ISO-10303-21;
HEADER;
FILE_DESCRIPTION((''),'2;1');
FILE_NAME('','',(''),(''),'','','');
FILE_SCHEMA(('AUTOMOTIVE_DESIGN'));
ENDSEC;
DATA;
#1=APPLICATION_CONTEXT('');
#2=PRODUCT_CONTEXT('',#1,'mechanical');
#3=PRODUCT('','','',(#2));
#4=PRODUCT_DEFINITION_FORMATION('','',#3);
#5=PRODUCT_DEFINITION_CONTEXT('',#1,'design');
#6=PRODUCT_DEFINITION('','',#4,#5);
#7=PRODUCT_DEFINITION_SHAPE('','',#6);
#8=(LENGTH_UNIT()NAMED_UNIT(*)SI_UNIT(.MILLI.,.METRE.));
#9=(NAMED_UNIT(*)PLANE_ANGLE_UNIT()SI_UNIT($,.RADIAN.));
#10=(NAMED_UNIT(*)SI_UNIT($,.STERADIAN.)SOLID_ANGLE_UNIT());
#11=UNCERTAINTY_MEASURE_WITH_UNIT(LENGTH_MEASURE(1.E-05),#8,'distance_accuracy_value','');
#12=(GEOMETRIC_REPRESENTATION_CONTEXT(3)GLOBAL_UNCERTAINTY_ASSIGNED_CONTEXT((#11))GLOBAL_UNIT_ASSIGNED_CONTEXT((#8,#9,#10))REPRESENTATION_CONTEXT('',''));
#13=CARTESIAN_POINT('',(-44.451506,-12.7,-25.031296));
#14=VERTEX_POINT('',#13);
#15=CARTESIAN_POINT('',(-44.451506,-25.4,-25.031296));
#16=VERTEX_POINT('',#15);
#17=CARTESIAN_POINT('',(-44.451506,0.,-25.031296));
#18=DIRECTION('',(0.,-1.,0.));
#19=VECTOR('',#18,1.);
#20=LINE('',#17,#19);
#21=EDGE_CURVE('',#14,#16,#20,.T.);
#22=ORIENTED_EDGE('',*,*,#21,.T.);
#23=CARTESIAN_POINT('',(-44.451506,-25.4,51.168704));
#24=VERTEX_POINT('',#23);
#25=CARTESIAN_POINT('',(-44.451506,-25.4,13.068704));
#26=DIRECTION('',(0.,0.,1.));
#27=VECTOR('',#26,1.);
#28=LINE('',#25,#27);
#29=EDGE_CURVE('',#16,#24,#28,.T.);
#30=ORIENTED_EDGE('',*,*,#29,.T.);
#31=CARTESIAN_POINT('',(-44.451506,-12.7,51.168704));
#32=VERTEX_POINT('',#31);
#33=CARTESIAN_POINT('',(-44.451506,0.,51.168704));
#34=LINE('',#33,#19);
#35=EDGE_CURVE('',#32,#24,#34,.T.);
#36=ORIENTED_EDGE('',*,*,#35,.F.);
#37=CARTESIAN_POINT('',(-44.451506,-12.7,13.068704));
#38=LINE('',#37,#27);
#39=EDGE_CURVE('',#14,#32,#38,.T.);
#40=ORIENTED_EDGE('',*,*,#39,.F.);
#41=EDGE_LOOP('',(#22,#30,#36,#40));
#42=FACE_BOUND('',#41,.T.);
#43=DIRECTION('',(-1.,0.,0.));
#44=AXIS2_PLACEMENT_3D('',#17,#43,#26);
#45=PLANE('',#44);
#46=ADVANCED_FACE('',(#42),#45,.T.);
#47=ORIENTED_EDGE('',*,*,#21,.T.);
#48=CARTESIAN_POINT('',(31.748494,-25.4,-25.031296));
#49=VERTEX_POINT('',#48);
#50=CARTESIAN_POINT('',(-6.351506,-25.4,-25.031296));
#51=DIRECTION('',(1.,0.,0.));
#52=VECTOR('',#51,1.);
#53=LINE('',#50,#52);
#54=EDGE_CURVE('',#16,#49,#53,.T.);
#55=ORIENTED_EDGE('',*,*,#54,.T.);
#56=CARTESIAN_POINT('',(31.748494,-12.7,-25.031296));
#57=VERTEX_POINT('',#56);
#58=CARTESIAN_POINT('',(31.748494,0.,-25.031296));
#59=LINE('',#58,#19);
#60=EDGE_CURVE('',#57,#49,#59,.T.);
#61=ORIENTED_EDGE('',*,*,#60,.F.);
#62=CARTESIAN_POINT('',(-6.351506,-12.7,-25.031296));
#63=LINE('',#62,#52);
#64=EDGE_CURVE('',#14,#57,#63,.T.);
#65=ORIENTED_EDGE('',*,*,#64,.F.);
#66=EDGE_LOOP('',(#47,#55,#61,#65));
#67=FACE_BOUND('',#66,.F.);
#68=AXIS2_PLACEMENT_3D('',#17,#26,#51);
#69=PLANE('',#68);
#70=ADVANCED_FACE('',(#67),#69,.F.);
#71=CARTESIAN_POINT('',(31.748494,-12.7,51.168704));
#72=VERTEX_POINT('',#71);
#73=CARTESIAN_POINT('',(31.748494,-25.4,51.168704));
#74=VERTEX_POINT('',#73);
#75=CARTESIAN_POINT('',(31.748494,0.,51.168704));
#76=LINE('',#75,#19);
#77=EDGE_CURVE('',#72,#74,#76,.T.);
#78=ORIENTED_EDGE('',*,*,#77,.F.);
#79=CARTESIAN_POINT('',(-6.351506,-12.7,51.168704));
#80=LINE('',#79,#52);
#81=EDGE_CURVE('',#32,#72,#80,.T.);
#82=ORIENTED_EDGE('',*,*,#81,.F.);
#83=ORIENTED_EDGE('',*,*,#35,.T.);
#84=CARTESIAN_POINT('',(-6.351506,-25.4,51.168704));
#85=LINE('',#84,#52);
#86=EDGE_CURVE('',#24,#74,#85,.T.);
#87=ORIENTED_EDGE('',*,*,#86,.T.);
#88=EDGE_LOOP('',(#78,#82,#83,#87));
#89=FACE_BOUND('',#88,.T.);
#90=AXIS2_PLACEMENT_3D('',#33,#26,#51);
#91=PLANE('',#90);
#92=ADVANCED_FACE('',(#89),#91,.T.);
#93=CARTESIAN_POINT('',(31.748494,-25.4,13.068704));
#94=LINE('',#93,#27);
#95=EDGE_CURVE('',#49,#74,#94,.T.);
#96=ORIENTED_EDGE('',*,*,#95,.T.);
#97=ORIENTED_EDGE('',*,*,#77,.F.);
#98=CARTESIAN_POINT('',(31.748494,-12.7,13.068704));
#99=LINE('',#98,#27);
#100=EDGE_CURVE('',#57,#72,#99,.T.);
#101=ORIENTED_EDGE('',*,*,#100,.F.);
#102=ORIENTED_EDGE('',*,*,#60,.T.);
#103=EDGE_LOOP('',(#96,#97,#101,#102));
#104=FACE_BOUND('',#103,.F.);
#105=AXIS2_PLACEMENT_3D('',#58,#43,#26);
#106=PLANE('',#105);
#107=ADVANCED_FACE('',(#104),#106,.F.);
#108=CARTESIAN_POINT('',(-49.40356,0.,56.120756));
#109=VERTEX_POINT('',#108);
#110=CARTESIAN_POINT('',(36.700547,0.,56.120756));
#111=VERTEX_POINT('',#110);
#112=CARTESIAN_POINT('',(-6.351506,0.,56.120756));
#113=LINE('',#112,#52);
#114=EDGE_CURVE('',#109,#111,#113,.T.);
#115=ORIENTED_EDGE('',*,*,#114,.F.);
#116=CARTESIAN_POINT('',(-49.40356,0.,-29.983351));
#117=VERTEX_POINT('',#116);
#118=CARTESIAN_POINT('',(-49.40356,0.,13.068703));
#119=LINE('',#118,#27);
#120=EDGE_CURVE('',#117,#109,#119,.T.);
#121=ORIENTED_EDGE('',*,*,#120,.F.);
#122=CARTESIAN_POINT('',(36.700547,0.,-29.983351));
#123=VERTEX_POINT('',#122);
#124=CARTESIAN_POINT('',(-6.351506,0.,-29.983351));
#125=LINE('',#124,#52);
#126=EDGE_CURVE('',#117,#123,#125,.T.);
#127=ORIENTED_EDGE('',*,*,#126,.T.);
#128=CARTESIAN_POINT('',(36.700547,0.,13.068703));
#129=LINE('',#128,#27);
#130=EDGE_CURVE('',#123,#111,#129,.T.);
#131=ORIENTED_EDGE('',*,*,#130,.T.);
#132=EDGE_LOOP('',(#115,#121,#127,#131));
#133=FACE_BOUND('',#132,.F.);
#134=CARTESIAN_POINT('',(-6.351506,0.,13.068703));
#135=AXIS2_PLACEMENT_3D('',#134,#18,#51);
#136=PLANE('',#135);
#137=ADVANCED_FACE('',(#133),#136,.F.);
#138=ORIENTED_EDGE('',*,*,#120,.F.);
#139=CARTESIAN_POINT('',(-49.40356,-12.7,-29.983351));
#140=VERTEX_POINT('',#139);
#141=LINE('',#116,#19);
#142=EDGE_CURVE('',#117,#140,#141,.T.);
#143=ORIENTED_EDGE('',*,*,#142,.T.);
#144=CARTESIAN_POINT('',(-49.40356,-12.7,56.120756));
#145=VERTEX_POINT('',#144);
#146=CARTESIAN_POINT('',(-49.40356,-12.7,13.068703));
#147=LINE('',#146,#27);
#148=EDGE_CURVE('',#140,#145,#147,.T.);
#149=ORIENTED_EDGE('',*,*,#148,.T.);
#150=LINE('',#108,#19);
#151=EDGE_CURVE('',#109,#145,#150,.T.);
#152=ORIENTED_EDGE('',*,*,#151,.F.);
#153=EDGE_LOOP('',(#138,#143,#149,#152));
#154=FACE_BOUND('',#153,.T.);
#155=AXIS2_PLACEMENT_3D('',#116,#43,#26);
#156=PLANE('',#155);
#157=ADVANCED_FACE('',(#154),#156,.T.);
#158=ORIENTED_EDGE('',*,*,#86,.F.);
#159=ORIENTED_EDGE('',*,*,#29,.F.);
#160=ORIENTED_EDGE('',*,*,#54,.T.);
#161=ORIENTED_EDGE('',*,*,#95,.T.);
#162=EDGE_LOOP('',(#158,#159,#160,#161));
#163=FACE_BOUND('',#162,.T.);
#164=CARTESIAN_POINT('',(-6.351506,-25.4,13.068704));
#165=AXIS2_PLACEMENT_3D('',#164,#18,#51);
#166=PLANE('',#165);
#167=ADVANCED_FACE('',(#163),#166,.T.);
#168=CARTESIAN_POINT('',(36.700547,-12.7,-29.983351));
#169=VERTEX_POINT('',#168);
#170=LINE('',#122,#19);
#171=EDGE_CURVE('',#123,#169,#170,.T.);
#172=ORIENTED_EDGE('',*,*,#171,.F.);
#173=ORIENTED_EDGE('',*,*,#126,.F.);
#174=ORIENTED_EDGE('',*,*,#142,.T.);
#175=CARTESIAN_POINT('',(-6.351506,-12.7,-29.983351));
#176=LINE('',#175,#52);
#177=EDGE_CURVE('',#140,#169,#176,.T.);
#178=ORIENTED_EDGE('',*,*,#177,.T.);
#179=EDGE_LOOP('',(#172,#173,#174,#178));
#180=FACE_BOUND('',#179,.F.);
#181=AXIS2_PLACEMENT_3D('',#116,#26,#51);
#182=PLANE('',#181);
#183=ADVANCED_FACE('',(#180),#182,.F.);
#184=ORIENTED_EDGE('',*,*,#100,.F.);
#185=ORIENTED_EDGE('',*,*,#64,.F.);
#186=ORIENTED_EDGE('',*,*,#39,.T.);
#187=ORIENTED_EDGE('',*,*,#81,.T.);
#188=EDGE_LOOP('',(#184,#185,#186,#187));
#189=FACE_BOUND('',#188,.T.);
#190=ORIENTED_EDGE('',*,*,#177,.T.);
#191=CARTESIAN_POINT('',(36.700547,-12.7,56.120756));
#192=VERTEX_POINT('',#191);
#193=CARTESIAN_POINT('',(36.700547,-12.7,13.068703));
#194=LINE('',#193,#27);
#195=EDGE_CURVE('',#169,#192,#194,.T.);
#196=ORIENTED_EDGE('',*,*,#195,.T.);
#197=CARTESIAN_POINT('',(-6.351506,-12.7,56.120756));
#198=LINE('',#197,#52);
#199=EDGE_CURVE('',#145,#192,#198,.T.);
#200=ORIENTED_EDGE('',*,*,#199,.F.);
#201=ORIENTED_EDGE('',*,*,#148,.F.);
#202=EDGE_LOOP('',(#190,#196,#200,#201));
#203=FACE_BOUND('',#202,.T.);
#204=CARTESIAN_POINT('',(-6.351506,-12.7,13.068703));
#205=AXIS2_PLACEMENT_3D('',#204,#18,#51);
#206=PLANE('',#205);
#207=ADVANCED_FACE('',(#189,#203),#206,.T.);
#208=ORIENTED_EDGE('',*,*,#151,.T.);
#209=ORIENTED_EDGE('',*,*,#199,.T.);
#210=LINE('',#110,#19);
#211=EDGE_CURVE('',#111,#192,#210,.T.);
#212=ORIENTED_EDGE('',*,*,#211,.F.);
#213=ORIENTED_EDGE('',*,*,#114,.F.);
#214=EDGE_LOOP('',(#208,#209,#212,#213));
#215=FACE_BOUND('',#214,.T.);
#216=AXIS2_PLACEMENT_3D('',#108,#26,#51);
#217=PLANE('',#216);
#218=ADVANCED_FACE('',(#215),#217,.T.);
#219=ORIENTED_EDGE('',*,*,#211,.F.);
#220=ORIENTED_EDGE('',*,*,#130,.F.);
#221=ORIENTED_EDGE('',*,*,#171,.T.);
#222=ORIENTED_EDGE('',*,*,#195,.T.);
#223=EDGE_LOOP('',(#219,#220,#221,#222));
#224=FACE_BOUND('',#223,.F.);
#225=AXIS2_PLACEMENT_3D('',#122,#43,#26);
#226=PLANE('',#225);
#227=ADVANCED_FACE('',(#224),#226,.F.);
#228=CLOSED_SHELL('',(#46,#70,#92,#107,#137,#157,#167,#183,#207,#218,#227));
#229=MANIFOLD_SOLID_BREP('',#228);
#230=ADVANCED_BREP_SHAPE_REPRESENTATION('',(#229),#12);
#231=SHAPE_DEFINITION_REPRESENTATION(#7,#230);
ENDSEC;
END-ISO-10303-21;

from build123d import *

# Parameters (mm, degrees)
F0_W     = 76.2
F0_H     = 76.2
F1_DEPTH = 25.4
F0_W_2   = 86.104107
F0_H_2   = 86.104107
F2_DEPTH = 12.7


with BuildPart() as f1:
    # F0 (on Front) → F1 (new body)
    with BuildSketch(Plane.XZ):
        with Locations((-6.351506, 13.068704)):
            Rectangle(F0_W, F0_H)
    extrude(amount=F1_DEPTH)

    # F0 (on Front) → F2 (join)
    with BuildSketch(Plane.XZ):
        with Locations((-6.351506, 13.068703)):
            Rectangle(F0_W_2, F0_H_2)
        with Locations((-6.351506, 13.068704)):
            Rectangle(F0_W, F0_H, mode=Mode.SUBTRACT)
    extrude(amount=F2_DEPTH)


solid = f1.part
